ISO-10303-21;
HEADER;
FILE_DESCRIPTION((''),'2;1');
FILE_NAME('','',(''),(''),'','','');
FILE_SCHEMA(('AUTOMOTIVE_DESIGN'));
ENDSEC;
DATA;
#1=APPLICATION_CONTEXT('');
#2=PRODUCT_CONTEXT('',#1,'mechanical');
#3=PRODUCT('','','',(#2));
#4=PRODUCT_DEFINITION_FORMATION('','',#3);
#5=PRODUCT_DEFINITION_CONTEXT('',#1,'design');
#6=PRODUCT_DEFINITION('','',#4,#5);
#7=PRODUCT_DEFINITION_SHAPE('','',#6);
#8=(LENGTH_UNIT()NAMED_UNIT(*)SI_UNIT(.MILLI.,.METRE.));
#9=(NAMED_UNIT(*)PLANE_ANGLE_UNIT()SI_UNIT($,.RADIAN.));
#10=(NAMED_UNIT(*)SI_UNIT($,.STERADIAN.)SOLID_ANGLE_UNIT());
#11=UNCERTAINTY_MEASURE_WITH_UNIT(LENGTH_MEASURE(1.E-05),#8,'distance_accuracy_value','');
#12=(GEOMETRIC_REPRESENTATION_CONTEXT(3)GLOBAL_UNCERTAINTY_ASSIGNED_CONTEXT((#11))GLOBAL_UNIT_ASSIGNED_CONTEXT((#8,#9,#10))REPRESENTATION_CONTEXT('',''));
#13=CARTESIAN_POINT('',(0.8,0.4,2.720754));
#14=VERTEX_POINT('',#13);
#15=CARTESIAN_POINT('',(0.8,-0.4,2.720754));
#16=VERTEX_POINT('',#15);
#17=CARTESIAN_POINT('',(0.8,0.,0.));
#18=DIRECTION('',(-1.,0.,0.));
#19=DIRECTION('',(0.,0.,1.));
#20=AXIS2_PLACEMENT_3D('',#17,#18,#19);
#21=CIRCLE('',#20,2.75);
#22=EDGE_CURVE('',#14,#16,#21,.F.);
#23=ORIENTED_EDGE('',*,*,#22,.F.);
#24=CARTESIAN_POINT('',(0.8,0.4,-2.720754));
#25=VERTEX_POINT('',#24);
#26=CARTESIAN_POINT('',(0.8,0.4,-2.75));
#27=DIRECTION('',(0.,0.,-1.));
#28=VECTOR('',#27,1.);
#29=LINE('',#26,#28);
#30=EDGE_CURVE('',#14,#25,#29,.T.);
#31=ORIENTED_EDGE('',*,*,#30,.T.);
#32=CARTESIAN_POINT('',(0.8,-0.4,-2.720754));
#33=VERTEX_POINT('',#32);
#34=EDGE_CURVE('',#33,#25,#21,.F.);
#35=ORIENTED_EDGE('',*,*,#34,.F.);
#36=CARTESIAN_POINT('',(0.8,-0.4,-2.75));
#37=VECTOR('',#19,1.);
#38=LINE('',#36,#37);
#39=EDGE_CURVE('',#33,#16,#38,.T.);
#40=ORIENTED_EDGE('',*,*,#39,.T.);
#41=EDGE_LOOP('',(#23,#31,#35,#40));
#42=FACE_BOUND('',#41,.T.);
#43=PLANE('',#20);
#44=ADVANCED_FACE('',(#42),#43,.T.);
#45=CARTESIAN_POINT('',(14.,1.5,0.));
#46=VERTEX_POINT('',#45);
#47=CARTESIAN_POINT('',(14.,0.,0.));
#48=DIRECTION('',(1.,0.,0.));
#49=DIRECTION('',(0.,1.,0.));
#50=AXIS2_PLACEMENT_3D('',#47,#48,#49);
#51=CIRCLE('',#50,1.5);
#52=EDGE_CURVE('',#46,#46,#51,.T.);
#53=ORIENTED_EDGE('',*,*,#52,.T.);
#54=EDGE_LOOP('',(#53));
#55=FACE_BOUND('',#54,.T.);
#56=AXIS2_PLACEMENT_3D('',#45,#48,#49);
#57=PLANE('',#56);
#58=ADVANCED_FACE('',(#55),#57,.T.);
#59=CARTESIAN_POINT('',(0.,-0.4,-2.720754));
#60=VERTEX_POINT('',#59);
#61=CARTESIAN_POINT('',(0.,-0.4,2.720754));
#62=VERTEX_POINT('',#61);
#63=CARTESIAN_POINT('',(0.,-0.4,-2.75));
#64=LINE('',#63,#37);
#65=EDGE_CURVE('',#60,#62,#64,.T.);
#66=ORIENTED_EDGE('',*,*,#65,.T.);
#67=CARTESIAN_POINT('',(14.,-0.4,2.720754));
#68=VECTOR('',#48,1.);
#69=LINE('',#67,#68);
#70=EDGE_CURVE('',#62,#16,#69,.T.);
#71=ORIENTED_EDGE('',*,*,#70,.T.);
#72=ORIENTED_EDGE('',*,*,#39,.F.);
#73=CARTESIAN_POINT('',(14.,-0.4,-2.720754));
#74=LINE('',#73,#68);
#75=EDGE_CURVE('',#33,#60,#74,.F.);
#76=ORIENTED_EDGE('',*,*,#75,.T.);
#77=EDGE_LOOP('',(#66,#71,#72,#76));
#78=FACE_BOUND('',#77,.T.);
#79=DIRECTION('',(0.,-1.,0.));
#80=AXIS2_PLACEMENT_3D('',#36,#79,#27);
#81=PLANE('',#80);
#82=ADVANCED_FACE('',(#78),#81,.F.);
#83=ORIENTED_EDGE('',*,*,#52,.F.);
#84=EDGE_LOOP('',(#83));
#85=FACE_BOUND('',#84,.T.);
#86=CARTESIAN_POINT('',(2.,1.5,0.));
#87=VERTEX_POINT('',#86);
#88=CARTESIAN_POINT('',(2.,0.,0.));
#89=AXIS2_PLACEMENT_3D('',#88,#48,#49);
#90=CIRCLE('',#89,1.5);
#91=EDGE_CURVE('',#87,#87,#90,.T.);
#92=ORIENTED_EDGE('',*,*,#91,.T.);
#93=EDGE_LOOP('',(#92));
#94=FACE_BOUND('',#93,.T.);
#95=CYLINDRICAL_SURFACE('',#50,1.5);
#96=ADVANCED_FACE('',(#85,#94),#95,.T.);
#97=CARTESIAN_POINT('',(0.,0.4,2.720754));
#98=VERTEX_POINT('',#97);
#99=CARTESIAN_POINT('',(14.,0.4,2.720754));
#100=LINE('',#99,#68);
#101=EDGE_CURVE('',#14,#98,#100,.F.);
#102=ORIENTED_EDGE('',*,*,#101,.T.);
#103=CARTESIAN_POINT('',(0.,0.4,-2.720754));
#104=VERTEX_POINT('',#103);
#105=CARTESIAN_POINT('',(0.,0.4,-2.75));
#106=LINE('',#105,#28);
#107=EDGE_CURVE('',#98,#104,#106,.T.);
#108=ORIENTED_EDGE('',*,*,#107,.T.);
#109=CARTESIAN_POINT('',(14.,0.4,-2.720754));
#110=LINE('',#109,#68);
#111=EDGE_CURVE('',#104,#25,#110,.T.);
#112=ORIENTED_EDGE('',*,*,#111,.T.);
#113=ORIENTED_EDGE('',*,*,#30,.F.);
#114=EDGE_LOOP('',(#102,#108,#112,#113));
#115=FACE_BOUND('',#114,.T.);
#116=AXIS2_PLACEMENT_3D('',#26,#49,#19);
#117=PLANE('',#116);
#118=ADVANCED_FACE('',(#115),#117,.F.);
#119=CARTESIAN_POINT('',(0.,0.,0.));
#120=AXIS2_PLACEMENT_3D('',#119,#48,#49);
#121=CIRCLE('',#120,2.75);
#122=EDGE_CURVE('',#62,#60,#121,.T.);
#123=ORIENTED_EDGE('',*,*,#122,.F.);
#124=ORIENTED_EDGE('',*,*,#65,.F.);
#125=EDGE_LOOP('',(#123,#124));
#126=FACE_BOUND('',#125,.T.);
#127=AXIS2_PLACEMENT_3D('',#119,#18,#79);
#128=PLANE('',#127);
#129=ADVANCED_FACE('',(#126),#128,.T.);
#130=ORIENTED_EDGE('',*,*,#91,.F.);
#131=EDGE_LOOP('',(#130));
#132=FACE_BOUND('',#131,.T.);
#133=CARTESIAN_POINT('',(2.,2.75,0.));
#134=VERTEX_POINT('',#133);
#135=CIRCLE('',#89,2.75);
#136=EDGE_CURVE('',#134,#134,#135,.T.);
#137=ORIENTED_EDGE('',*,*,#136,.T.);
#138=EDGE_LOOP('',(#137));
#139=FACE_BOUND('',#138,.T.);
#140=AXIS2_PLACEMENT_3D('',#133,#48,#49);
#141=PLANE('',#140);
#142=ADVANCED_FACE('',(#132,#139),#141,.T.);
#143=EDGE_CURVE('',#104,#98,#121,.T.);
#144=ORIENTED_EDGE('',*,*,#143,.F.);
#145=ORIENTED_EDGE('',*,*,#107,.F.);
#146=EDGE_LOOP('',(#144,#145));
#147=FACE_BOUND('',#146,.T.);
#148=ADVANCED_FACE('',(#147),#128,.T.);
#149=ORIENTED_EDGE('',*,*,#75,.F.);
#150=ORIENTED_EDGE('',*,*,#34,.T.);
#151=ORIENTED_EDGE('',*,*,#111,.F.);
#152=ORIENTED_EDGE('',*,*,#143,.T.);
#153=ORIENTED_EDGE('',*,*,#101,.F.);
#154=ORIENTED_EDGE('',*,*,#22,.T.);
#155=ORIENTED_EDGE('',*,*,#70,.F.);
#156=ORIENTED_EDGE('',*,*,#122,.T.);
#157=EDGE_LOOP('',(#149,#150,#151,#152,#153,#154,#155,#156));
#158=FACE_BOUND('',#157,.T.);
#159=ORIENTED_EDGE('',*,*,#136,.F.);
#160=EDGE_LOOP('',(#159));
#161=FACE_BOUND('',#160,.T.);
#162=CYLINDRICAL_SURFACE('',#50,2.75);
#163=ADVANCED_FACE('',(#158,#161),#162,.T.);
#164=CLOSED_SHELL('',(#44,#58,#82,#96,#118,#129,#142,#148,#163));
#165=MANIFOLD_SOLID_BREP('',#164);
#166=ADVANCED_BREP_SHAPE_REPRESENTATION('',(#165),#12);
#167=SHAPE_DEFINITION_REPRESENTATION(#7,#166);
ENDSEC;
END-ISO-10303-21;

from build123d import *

# Parameters (mm, degrees)
SKETCH2_W          = 5.5
SKETCH2_H          = 0.8
CUT_EXTRUDE1_DEPTH = 0.8


with BuildPart() as part:
    # Sketch1 → Revolve1 (revolve)
    with BuildSketch(Plane.XY):
        Polygon((0, 0), (0, 2.75), (2, 2.75), (2, 1.5), (14, 1.5), (14, 0), align=None)
    revolve(axis=Axis((14, 0, 0), (-1, 0, 0)))

    # Sketch2 → Cut-Extrude1 (cut)
    with BuildSketch(Plane.ZY):
        Rectangle(SKETCH2_W, SKETCH2_H)
    extrude(amount=-CUT_EXTRUDE1_DEPTH, mode=Mode.SUBTRACT)


solid = part.part
